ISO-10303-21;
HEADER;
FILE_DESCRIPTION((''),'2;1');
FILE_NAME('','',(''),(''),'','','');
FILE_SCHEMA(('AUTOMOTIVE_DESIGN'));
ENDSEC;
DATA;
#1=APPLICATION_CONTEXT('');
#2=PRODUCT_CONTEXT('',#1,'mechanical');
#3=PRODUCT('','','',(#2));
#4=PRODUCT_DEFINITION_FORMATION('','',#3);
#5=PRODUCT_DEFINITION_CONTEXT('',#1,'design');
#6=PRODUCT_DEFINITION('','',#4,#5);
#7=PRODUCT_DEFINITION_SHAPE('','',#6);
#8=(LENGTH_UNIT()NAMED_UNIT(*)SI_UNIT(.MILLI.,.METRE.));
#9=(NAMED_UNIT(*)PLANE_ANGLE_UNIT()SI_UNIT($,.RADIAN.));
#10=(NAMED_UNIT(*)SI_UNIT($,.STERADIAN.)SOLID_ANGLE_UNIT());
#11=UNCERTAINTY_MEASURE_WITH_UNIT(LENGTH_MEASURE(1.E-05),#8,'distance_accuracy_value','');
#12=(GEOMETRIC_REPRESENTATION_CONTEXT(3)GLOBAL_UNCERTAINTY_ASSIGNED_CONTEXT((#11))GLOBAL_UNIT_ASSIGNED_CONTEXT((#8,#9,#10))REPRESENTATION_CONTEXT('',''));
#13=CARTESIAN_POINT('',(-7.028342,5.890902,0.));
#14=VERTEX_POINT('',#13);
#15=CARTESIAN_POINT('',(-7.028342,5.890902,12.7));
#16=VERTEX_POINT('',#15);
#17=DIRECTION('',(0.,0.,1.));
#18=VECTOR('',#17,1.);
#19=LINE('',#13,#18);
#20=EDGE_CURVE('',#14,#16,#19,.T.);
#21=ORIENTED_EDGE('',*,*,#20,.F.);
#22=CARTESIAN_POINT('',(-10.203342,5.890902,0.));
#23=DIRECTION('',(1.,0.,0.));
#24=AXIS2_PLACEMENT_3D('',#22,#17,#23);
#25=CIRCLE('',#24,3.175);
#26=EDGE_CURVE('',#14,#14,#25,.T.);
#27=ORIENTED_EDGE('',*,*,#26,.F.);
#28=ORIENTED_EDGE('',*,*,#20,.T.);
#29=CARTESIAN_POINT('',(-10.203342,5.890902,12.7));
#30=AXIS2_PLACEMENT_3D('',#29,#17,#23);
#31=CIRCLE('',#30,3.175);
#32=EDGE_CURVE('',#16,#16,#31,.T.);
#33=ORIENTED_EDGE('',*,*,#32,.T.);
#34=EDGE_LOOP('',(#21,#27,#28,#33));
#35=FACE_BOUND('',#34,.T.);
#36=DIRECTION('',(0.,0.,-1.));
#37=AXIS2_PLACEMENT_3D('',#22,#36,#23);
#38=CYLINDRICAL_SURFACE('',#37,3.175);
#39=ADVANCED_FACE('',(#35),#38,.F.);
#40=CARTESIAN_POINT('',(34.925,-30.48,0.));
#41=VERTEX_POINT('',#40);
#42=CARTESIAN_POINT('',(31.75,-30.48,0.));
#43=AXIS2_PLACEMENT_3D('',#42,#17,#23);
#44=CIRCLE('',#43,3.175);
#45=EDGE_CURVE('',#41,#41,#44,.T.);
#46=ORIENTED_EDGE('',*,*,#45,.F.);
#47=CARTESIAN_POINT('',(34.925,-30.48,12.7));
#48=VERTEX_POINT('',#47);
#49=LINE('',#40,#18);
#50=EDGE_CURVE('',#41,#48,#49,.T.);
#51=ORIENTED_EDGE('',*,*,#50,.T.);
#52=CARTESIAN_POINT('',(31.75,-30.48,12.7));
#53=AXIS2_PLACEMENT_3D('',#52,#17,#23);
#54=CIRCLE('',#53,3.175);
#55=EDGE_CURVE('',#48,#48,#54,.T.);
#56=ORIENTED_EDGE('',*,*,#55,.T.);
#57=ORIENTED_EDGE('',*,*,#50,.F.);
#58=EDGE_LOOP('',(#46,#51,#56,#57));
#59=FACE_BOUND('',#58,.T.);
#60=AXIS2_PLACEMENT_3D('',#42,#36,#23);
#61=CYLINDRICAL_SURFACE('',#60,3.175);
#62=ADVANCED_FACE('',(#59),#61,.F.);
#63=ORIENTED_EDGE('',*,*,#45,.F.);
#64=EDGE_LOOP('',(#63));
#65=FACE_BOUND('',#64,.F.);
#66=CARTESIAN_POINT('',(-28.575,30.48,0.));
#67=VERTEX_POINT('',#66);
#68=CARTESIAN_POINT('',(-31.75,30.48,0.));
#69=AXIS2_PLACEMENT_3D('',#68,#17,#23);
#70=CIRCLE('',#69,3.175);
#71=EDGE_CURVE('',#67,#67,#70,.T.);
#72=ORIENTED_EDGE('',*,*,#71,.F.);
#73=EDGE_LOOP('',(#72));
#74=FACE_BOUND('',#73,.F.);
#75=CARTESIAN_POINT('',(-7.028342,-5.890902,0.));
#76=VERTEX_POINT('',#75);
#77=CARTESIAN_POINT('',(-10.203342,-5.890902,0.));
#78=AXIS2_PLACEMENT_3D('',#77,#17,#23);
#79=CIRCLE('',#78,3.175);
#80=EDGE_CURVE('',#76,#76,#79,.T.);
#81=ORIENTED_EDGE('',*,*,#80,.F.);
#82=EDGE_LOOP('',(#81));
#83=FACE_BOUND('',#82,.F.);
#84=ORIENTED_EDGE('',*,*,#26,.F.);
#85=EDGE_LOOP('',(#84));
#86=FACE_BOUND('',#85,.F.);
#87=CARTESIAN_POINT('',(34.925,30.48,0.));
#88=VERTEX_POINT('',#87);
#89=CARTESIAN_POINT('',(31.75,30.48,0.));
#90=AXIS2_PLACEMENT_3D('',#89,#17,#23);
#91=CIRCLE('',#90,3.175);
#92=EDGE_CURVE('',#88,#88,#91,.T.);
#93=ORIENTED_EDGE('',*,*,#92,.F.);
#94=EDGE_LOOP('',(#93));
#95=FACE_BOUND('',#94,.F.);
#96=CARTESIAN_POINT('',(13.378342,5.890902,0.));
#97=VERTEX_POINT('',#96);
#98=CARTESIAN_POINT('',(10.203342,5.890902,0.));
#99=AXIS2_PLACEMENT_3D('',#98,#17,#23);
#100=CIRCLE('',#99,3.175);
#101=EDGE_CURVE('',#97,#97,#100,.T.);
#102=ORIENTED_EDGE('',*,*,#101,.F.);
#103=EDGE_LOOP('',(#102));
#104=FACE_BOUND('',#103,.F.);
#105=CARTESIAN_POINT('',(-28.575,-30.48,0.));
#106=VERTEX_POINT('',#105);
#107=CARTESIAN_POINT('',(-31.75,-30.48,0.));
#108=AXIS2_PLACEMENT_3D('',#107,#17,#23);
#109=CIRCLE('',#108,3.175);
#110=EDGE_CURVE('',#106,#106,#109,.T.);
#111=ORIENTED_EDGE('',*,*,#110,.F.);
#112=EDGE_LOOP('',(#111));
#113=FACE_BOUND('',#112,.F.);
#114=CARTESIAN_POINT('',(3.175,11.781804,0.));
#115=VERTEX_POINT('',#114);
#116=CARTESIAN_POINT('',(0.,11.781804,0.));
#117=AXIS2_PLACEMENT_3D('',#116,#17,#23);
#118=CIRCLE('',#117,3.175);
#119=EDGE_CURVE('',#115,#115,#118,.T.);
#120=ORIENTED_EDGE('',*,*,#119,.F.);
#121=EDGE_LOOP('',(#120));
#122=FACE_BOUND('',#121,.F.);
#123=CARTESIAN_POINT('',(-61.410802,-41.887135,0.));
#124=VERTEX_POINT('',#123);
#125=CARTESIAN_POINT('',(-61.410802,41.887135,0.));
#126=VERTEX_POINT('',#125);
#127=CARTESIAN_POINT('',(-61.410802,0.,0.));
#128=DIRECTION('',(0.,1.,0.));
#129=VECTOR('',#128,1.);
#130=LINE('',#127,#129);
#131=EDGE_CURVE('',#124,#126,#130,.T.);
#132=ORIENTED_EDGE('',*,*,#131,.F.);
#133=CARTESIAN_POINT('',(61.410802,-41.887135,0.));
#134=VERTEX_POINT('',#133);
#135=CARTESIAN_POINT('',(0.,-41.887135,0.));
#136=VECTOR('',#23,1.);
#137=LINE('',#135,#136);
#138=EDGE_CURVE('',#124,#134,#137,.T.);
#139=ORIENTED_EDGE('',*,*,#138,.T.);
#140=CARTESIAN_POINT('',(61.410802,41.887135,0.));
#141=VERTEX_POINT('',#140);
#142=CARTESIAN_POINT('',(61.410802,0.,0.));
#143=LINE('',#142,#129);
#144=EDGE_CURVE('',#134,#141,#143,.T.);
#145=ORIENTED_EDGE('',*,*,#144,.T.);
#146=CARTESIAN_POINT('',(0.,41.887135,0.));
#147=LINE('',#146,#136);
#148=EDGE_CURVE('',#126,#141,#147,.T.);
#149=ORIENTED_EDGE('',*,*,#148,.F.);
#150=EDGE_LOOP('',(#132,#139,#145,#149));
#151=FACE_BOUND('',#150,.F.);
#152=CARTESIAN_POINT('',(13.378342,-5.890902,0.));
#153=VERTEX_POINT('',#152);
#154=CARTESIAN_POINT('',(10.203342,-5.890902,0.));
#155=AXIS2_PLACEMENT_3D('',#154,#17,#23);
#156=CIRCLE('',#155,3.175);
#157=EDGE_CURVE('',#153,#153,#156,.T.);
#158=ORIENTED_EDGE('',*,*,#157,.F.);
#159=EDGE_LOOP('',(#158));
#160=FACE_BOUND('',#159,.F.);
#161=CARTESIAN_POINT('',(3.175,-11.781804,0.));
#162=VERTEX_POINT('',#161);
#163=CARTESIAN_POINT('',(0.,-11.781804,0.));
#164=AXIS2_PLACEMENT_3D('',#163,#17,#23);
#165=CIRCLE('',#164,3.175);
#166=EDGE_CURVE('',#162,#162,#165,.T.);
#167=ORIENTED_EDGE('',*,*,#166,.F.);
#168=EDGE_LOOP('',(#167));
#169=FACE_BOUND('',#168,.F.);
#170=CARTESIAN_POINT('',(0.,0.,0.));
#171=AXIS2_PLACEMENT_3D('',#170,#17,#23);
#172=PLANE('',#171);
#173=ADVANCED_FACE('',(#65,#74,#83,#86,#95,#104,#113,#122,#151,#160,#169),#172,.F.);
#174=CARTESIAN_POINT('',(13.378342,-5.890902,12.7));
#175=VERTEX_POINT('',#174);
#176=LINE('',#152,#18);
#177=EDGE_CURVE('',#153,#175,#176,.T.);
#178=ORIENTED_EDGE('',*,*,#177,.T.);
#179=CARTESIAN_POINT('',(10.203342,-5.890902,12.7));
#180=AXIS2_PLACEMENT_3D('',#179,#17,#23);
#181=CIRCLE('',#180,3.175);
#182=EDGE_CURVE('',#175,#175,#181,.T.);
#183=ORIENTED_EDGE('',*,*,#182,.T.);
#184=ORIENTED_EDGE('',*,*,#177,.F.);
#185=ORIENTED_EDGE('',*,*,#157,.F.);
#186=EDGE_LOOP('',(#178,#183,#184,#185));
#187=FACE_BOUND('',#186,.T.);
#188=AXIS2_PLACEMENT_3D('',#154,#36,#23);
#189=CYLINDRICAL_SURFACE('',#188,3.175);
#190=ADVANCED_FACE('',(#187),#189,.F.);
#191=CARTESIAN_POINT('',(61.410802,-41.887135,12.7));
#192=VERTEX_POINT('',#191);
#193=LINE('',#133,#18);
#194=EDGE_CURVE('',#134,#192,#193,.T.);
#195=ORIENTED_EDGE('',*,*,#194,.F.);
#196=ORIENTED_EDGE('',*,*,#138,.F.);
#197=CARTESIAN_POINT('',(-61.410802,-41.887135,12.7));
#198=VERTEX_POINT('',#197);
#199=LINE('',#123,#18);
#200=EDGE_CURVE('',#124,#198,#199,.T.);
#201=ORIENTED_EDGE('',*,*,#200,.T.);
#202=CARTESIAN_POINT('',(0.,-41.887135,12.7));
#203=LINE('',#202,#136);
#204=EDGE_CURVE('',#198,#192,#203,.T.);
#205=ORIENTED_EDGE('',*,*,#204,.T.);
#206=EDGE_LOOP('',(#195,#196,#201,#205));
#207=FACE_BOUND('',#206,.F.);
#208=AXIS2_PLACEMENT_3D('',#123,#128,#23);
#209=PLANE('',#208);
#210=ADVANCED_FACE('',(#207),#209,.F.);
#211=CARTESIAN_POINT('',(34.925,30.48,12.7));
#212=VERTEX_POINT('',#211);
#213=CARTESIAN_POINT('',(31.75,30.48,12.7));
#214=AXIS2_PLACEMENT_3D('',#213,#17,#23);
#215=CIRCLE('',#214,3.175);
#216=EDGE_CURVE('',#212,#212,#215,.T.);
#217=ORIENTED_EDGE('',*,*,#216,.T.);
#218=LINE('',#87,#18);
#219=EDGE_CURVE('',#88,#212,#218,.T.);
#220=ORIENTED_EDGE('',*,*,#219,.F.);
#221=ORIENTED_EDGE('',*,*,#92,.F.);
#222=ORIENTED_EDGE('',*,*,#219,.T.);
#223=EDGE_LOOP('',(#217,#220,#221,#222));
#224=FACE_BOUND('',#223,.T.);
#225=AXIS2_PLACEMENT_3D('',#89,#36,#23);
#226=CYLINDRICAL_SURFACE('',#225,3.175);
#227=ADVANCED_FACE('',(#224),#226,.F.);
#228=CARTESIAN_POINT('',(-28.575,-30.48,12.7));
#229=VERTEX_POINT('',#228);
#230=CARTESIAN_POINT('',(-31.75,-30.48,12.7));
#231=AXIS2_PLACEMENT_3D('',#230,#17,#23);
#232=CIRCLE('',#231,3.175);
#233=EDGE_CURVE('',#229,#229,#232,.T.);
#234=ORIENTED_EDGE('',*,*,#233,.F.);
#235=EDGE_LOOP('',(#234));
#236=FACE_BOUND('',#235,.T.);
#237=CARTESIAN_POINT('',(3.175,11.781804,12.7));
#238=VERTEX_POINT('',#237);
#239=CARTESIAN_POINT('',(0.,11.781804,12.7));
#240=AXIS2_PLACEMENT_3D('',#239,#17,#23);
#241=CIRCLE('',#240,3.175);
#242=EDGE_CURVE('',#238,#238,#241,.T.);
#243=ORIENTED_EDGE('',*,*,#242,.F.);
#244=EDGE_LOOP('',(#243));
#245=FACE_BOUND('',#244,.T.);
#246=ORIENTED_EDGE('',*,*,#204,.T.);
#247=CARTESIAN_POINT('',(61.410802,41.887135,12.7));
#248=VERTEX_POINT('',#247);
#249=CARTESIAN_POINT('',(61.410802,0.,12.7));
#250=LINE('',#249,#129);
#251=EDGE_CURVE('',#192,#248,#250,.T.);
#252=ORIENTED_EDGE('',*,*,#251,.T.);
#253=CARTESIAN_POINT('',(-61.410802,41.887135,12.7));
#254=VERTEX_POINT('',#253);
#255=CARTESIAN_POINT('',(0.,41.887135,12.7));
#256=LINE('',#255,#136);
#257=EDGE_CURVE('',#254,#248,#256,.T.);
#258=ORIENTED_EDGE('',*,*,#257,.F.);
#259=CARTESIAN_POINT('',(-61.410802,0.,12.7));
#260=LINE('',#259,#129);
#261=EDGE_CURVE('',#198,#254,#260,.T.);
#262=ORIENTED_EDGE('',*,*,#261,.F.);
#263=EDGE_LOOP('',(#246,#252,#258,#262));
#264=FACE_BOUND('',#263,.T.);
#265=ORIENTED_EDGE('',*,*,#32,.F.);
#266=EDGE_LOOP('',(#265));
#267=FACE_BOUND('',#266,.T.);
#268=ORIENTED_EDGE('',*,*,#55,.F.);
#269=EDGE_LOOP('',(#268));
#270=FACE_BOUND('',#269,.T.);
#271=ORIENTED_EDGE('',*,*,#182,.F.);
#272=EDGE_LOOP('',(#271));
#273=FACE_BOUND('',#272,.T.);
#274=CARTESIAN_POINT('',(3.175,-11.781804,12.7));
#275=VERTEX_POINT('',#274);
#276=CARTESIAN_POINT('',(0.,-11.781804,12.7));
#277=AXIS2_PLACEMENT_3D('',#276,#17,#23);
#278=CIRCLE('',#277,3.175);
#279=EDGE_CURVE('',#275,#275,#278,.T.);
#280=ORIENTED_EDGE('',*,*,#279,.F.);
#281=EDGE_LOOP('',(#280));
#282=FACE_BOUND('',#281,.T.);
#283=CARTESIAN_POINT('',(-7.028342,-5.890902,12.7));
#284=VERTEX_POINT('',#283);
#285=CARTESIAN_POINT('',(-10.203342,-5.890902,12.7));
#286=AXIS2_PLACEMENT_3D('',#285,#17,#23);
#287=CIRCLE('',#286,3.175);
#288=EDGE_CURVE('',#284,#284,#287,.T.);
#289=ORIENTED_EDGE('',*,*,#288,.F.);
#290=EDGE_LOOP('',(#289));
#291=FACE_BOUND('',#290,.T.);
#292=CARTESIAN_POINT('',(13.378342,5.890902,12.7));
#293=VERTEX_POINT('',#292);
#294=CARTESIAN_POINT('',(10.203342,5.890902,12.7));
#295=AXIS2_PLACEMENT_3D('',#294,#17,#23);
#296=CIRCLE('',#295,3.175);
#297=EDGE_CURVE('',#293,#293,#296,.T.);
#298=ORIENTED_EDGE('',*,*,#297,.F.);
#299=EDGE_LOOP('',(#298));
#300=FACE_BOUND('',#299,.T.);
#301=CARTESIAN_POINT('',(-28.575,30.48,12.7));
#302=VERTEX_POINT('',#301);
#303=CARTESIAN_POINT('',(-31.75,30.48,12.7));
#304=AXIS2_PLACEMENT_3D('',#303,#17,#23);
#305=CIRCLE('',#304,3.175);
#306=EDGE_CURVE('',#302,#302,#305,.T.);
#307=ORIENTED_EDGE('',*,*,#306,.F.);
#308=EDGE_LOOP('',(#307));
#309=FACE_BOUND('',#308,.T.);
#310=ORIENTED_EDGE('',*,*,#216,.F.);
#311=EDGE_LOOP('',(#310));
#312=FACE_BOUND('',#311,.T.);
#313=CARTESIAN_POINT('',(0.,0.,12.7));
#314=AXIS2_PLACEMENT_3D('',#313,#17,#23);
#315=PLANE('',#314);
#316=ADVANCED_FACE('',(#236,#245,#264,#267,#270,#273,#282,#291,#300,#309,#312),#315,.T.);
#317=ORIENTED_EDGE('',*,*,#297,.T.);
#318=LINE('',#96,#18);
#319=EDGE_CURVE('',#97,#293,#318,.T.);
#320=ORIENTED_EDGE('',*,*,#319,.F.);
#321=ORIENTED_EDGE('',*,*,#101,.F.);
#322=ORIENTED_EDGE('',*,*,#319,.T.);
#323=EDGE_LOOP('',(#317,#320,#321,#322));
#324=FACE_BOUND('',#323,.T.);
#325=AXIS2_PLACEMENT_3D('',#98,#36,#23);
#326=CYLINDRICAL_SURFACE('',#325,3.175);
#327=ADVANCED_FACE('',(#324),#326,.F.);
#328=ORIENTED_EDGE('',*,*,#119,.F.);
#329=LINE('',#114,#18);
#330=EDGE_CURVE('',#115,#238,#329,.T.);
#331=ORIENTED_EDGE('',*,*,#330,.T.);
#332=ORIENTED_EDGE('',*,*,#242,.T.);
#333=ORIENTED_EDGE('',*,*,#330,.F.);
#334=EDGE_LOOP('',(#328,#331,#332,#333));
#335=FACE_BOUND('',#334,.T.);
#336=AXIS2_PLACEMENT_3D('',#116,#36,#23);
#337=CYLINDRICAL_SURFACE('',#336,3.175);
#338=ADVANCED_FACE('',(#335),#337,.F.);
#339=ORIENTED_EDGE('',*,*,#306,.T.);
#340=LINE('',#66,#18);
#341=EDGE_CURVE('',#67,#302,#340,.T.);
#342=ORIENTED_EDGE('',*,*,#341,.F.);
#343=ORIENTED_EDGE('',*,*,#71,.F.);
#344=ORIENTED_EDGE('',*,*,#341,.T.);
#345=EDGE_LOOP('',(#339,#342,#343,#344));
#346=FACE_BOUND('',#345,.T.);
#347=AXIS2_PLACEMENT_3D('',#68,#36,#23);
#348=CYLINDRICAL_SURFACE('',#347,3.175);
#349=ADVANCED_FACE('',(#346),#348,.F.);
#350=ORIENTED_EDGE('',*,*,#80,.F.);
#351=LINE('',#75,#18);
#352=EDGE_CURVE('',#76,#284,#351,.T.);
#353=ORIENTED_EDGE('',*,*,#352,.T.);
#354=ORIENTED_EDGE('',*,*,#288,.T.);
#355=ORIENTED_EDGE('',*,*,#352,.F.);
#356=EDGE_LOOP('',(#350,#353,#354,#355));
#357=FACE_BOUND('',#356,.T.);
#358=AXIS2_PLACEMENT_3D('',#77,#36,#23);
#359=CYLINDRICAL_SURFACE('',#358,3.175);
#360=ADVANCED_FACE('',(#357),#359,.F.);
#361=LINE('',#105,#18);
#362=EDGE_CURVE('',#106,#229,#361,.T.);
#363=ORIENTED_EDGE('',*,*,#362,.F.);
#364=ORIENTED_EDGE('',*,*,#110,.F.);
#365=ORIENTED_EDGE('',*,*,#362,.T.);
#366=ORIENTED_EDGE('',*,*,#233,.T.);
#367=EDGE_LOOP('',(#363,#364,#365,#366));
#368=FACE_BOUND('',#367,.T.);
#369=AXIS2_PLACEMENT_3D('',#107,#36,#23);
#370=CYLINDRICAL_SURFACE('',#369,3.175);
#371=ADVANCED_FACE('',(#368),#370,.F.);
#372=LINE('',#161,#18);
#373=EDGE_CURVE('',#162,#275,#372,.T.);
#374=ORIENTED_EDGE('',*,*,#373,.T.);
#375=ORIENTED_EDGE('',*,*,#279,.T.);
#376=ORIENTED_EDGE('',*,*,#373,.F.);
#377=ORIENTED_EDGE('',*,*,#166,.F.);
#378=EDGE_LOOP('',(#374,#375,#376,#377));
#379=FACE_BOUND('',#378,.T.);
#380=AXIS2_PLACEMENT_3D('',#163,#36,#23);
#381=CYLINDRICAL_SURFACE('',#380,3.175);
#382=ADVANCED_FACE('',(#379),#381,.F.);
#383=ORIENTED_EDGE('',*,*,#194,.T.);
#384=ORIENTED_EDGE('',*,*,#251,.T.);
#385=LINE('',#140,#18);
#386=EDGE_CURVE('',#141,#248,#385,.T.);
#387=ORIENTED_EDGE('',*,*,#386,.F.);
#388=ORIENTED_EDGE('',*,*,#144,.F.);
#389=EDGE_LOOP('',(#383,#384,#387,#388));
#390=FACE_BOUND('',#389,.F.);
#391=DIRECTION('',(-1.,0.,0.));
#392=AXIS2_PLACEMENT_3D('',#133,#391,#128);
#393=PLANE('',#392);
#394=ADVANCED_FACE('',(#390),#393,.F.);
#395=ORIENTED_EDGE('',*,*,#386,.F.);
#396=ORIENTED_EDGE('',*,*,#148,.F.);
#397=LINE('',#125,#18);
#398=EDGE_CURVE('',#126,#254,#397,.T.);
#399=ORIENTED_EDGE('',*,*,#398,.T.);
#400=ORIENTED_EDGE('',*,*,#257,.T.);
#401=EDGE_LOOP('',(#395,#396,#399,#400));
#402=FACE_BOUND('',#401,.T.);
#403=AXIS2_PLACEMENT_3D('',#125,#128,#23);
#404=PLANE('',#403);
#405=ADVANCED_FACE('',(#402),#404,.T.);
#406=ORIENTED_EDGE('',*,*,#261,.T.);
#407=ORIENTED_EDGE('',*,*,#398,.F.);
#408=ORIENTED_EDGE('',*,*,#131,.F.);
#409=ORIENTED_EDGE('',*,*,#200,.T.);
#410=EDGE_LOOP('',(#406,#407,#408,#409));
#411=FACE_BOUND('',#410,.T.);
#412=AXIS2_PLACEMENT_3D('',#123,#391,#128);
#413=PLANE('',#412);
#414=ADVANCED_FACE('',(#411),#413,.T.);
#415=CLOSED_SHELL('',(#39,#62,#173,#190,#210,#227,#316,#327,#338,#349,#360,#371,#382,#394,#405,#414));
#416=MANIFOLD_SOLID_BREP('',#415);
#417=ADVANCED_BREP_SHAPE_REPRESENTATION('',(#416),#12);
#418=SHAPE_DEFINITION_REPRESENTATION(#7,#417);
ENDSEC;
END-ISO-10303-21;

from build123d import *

# Parameters (mm, degrees)
F0_W     = 122.821604
F0_H     = 83.77427
F0_R     = 3.175
F1_DEPTH = 12.7


with BuildPart() as f1:
    # F0 (on Top) → F1 (new body)
    with BuildSketch(Plane.XY):
        Rectangle(F0_W, F0_H)
        with Locations((-31.75, -30.48)):
            Circle(F0_R, mode=Mode.SUBTRACT)
        with Locations((-10.203342, -5.890902)):
            Circle(F0_R, mode=Mode.SUBTRACT)
        with Locations((31.75, -30.48)):
            Circle(F0_R, mode=Mode.SUBTRACT)
        with Locations((0, -11.781804)):
            Circle(F0_R, mode=Mode.SUBTRACT)
        with Locations((10.203342, -5.890902)):
            Circle(F0_R, mode=Mode.SUBTRACT)
        with Locations((-10.203342, 5.890902)):
            Circle(F0_R, mode=Mode.SUBTRACT)
        with Locations((-31.75, 30.48)):
            Circle(F0_R, mode=Mode.SUBTRACT)
        with Locations((10.203342, 5.890902)):
            Circle(F0_R, mode=Mode.SUBTRACT)
        with Locations((0, 11.781804)):
            Circle(F0_R, mode=Mode.SUBTRACT)
        with Locations((31.75, 30.48)):
            Circle(F0_R, mode=Mode.SUBTRACT)
    extrude(amount=F1_DEPTH)


solid = f1.part
